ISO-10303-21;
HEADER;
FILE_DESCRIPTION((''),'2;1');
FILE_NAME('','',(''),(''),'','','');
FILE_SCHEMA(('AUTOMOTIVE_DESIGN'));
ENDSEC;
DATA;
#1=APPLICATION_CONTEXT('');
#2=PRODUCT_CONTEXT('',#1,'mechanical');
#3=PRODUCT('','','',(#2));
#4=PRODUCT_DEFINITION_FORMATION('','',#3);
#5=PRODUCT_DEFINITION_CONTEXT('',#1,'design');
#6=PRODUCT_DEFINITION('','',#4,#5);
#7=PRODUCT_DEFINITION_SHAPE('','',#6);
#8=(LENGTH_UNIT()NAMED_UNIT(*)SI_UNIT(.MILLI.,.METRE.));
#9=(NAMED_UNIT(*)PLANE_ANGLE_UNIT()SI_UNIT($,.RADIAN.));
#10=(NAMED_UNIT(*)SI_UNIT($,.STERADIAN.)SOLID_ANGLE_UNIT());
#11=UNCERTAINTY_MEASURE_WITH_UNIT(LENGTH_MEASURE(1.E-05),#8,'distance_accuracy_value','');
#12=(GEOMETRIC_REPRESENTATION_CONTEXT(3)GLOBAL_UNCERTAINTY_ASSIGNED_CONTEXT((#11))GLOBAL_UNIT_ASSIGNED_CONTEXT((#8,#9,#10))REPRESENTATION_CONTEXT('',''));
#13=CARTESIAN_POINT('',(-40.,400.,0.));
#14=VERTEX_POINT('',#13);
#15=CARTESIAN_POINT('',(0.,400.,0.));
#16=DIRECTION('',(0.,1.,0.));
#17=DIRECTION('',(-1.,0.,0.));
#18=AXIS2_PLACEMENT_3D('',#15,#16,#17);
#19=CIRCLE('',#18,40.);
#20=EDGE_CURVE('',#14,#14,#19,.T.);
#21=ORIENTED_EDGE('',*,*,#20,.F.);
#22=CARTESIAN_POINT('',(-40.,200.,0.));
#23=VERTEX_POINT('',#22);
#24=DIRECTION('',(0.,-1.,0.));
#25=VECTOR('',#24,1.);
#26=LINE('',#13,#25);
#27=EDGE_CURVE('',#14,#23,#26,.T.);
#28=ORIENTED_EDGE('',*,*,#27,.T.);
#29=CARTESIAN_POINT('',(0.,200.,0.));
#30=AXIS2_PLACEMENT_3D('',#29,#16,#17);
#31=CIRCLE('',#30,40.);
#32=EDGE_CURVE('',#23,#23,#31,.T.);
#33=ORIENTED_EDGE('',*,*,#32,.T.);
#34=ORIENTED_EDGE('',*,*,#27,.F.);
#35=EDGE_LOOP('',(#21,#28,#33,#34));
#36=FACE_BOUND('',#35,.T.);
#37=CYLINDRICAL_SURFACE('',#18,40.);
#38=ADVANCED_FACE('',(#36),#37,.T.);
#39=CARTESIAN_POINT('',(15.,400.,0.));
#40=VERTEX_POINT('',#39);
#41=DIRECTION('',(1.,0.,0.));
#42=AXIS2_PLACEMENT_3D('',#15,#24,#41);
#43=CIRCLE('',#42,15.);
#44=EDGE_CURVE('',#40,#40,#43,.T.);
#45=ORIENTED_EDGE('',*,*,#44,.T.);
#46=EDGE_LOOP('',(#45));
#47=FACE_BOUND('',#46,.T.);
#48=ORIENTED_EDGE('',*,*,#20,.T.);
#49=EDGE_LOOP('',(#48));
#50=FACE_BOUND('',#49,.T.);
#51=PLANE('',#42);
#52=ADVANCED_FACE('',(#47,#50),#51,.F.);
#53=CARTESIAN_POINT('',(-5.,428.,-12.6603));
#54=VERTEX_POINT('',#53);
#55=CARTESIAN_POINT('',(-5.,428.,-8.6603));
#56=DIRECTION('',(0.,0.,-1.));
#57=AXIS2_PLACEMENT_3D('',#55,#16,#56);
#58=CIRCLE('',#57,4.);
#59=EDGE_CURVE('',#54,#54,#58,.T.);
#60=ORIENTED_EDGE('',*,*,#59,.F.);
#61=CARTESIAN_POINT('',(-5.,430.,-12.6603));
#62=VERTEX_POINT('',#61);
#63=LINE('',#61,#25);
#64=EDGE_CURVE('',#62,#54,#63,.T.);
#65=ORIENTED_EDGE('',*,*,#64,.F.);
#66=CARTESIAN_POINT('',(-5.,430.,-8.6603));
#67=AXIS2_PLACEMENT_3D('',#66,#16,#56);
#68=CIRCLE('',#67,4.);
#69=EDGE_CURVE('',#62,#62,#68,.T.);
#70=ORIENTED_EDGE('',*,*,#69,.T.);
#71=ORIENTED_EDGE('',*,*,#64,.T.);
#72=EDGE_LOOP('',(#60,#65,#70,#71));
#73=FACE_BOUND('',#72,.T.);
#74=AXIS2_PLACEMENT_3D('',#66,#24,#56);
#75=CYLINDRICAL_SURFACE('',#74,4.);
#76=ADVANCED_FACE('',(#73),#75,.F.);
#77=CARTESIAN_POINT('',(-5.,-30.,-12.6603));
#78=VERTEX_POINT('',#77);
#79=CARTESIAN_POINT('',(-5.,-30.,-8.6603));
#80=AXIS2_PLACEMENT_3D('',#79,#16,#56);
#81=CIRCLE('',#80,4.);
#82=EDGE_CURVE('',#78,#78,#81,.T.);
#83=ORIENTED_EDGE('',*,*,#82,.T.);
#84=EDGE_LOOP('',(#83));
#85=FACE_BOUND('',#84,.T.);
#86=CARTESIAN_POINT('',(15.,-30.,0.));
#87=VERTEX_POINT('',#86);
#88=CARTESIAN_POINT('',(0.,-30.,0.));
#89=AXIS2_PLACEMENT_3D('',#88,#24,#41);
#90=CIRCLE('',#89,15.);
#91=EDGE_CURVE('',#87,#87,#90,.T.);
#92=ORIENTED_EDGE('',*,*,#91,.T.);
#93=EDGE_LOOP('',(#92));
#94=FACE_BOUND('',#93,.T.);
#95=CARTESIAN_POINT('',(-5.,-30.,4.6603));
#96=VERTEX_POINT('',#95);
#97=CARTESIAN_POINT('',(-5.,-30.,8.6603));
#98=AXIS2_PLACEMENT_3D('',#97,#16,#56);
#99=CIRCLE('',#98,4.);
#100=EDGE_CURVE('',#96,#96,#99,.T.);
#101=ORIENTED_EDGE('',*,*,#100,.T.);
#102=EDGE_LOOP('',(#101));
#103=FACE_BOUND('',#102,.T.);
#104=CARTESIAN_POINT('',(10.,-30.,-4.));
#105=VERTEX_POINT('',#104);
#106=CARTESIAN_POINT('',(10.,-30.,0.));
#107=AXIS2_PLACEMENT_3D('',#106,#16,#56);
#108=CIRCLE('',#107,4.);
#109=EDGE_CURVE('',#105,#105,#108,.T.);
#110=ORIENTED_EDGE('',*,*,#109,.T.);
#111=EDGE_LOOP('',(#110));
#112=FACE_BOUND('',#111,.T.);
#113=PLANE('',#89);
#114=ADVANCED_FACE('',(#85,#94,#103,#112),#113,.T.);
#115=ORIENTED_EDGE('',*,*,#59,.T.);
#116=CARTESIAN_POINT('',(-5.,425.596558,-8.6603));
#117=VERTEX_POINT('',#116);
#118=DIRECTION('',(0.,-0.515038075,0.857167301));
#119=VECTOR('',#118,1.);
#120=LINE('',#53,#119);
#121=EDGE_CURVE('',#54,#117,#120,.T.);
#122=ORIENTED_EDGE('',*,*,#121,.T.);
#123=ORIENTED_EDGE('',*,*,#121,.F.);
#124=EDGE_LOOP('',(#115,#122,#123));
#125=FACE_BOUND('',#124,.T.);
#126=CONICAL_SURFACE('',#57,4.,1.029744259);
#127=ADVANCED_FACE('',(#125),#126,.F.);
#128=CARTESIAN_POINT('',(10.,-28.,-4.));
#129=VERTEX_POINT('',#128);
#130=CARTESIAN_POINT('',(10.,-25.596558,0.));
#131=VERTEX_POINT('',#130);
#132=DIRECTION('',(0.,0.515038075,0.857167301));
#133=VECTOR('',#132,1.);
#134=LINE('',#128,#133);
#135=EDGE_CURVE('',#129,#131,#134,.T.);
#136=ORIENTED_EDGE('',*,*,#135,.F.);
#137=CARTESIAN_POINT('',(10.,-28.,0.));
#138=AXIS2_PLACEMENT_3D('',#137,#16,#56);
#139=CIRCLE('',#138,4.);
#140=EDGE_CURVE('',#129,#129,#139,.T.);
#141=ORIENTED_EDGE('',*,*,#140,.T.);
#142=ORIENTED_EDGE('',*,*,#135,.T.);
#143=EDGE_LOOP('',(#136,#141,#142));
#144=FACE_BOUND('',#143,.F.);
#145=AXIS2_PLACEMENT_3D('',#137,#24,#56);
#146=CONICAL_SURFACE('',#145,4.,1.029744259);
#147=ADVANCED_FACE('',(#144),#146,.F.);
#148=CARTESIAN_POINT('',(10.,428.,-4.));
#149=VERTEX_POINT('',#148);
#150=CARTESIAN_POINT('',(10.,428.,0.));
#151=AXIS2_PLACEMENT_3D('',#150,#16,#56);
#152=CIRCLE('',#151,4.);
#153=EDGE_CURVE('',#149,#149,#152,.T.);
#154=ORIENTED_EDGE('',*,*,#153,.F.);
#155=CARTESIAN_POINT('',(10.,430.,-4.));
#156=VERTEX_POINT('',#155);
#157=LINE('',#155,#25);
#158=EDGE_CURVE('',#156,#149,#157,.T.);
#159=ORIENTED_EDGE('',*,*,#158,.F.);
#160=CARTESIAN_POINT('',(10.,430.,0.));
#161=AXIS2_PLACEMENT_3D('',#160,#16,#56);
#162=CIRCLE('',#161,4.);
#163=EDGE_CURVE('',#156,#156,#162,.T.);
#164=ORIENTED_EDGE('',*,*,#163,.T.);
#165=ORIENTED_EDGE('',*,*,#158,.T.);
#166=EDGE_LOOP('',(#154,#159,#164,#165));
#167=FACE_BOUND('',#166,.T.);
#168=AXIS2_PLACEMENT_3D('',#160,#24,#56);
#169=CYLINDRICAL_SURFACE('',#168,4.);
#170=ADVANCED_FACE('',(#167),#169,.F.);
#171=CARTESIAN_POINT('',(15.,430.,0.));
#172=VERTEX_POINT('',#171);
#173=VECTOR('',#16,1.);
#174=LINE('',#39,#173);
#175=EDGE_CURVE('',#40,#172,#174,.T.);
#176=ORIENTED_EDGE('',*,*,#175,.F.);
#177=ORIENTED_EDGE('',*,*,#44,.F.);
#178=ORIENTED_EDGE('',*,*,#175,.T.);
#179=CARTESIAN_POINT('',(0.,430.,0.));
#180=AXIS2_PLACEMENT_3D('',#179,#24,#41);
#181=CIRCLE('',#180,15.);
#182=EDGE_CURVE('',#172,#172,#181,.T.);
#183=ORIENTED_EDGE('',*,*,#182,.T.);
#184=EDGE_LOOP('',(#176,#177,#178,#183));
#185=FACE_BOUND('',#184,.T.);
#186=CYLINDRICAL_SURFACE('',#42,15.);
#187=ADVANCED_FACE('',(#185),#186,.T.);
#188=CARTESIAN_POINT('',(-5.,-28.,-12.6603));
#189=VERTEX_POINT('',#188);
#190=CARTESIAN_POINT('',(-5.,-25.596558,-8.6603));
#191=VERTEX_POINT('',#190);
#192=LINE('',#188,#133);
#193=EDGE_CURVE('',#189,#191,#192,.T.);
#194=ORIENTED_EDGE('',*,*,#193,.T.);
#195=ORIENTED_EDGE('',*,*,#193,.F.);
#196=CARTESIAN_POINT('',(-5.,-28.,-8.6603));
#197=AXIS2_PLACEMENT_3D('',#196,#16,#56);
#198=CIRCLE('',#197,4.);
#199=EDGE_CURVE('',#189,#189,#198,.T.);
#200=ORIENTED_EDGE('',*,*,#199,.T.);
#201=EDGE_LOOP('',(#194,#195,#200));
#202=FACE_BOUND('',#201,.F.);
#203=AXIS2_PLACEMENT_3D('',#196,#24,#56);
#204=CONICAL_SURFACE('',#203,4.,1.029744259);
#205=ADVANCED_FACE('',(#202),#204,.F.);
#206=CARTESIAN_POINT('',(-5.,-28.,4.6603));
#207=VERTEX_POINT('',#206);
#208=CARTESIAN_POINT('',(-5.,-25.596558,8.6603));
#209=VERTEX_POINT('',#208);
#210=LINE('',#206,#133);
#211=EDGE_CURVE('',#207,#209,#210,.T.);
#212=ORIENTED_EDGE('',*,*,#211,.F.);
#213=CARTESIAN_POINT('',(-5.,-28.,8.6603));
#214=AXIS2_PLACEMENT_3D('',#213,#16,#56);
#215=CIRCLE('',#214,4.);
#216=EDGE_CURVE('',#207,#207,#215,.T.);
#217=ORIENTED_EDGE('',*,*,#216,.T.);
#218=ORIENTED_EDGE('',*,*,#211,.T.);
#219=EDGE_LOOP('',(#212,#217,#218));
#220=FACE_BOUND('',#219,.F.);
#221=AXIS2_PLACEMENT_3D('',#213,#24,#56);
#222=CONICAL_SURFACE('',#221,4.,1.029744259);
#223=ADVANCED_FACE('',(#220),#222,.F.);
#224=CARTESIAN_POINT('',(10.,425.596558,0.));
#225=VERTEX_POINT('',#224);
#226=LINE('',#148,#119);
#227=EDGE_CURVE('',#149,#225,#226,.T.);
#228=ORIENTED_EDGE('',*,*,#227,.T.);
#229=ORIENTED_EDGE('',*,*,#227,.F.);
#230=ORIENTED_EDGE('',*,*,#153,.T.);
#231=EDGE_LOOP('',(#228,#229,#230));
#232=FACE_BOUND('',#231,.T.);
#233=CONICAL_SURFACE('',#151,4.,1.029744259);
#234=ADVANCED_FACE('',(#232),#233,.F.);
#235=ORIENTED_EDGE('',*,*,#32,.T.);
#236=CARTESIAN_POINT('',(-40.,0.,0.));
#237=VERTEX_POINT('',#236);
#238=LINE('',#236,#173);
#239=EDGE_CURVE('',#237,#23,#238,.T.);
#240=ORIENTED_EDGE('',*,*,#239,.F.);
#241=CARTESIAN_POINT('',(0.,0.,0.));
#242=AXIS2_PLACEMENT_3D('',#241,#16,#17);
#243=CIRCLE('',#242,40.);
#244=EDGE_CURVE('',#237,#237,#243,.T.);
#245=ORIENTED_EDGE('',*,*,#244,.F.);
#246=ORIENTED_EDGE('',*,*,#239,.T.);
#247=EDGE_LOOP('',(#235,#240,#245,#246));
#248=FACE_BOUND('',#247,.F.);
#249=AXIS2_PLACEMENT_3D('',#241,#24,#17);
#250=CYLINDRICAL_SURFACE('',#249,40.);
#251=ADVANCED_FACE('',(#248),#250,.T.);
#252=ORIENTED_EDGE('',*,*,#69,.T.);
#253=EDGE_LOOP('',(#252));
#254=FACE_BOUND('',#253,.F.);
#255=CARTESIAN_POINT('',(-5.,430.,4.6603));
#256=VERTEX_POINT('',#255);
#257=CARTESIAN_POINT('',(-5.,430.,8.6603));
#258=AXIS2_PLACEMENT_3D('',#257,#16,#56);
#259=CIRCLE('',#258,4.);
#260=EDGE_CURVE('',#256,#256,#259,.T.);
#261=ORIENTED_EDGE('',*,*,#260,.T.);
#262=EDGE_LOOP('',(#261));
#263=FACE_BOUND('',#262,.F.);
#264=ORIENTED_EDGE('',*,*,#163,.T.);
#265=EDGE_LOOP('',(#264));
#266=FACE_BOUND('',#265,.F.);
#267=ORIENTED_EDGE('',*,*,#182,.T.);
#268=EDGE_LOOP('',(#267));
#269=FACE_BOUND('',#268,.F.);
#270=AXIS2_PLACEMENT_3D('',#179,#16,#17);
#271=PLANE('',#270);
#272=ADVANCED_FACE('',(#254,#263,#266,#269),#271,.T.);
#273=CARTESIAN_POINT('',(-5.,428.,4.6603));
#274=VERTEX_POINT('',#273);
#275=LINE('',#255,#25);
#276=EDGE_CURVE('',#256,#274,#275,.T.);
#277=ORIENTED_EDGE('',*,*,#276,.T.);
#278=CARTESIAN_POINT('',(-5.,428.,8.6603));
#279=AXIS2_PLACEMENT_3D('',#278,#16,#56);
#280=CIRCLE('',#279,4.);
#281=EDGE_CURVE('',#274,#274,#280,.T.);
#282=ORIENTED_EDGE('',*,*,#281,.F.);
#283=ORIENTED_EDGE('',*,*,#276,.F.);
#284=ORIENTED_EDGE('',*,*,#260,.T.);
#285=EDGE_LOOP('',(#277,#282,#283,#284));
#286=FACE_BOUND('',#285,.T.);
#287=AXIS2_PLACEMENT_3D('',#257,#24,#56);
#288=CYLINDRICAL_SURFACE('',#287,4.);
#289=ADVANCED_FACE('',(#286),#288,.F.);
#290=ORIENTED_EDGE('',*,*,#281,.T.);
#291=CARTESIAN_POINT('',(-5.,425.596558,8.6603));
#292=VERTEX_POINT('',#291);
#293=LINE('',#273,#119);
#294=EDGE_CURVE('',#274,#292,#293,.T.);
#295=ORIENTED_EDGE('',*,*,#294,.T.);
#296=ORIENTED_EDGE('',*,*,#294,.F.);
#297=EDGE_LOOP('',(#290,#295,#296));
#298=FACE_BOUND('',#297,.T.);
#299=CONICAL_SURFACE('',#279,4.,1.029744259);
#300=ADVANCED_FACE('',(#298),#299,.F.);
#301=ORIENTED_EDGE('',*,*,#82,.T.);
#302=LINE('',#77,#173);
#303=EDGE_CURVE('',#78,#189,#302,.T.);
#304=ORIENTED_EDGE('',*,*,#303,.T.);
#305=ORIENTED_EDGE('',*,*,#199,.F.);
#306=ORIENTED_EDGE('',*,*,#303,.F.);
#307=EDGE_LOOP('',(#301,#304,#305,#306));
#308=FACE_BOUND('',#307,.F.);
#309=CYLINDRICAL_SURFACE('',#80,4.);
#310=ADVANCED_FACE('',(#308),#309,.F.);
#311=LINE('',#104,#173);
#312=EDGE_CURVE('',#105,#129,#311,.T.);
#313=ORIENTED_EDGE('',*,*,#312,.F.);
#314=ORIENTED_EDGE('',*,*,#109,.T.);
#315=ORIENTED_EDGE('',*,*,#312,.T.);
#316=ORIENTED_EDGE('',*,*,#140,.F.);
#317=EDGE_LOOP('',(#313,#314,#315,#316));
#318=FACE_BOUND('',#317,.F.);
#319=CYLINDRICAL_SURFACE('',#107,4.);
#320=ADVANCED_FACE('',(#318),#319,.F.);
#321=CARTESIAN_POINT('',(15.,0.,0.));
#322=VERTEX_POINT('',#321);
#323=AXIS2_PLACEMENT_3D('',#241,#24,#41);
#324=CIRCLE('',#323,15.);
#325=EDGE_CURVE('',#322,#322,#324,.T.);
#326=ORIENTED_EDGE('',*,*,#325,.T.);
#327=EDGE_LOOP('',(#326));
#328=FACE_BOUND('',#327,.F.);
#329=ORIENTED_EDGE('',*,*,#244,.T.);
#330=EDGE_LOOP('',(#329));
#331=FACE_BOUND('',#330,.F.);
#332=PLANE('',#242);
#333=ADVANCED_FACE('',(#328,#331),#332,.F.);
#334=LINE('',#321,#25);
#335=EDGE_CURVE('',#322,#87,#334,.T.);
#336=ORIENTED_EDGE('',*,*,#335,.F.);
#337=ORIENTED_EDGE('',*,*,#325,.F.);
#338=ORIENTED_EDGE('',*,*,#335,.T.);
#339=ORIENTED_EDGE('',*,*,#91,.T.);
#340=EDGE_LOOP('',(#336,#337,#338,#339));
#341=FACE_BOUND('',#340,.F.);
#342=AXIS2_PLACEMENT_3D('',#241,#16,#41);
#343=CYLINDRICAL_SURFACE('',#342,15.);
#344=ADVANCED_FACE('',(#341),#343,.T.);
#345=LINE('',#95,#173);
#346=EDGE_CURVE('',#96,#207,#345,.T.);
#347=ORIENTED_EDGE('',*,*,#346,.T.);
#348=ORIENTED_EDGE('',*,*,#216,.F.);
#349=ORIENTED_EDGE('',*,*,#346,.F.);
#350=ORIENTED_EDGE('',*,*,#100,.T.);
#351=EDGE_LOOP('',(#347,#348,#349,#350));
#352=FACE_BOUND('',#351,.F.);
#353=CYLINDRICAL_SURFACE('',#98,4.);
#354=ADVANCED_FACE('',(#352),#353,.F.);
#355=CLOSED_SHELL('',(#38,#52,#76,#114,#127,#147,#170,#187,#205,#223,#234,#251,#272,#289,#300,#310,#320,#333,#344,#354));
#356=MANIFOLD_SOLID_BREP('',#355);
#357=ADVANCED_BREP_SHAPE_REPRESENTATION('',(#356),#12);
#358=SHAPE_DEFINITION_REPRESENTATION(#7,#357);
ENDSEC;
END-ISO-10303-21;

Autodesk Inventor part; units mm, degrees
ref_plane "YZ Plane" through (0, 0, 0) normal (1, 0, 0) x (0, 1, 0)
ref_plane "XZ Plane" through (0, 0, 0) normal (0, 1, 0) x (-1, 0, 0)
ref_plane "XY Plane" through (0, 0, 0) normal (0, 0, 1) x (1, 0, 0)
sketch "Skizze1" plane through (0, 0, 0) normal (0, 1, 0) x (-1, 0, 0)
  circle A0 centre (0, 0) radius 40
  dimension "d0" = 80
extrude "Extrusion1" add sketch "Skizze1" along normal blind 200
sketch "Skizze2" plane through (0, 0, 0) normal (0, -1, 0) x (1, 0, 0)
  circle A0 centre (0, 0) radius 15
  dimension "d3" = 30
extrude "Extrusion2" add sketch "Skizze2" along normal blind 30
sketch "Skizze3" plane through (0, -30, 0) normal (0, -1, 0) x (1, 0, 0)
  line L0 (0, 0) -> (-7.5, 12.9904)
  circle A0 centre (0, 0) radius 15 projected
  line L1 (0, 0) -> (-7.5, -12.9904)
  line L2 (0, 0) -> (15, 0)
  circle A1 centre (0, 0) radius 10
  point P0 (-5, -8.6603)
  point P1 (-5, 8.6603)
  point P2 (10, 0)
  dimension "d6" = 120
  dimension "d7" = 120
  dimension "d8" = 20
hole "Bohrung1" at (-5, -30, -8.6603) at (-5, -30, 8.6603) at (10, -30, 0) direction (0, 1, 0) diameter 8 depth 2 tip angle 118
mirror "Spiegeln1" about plane through (0, 200, 0) normal (0, 1, 0) of "Extrusion1", "Extrusion2", "Bohrung1"
properties part number "Foerderbandrollen"
